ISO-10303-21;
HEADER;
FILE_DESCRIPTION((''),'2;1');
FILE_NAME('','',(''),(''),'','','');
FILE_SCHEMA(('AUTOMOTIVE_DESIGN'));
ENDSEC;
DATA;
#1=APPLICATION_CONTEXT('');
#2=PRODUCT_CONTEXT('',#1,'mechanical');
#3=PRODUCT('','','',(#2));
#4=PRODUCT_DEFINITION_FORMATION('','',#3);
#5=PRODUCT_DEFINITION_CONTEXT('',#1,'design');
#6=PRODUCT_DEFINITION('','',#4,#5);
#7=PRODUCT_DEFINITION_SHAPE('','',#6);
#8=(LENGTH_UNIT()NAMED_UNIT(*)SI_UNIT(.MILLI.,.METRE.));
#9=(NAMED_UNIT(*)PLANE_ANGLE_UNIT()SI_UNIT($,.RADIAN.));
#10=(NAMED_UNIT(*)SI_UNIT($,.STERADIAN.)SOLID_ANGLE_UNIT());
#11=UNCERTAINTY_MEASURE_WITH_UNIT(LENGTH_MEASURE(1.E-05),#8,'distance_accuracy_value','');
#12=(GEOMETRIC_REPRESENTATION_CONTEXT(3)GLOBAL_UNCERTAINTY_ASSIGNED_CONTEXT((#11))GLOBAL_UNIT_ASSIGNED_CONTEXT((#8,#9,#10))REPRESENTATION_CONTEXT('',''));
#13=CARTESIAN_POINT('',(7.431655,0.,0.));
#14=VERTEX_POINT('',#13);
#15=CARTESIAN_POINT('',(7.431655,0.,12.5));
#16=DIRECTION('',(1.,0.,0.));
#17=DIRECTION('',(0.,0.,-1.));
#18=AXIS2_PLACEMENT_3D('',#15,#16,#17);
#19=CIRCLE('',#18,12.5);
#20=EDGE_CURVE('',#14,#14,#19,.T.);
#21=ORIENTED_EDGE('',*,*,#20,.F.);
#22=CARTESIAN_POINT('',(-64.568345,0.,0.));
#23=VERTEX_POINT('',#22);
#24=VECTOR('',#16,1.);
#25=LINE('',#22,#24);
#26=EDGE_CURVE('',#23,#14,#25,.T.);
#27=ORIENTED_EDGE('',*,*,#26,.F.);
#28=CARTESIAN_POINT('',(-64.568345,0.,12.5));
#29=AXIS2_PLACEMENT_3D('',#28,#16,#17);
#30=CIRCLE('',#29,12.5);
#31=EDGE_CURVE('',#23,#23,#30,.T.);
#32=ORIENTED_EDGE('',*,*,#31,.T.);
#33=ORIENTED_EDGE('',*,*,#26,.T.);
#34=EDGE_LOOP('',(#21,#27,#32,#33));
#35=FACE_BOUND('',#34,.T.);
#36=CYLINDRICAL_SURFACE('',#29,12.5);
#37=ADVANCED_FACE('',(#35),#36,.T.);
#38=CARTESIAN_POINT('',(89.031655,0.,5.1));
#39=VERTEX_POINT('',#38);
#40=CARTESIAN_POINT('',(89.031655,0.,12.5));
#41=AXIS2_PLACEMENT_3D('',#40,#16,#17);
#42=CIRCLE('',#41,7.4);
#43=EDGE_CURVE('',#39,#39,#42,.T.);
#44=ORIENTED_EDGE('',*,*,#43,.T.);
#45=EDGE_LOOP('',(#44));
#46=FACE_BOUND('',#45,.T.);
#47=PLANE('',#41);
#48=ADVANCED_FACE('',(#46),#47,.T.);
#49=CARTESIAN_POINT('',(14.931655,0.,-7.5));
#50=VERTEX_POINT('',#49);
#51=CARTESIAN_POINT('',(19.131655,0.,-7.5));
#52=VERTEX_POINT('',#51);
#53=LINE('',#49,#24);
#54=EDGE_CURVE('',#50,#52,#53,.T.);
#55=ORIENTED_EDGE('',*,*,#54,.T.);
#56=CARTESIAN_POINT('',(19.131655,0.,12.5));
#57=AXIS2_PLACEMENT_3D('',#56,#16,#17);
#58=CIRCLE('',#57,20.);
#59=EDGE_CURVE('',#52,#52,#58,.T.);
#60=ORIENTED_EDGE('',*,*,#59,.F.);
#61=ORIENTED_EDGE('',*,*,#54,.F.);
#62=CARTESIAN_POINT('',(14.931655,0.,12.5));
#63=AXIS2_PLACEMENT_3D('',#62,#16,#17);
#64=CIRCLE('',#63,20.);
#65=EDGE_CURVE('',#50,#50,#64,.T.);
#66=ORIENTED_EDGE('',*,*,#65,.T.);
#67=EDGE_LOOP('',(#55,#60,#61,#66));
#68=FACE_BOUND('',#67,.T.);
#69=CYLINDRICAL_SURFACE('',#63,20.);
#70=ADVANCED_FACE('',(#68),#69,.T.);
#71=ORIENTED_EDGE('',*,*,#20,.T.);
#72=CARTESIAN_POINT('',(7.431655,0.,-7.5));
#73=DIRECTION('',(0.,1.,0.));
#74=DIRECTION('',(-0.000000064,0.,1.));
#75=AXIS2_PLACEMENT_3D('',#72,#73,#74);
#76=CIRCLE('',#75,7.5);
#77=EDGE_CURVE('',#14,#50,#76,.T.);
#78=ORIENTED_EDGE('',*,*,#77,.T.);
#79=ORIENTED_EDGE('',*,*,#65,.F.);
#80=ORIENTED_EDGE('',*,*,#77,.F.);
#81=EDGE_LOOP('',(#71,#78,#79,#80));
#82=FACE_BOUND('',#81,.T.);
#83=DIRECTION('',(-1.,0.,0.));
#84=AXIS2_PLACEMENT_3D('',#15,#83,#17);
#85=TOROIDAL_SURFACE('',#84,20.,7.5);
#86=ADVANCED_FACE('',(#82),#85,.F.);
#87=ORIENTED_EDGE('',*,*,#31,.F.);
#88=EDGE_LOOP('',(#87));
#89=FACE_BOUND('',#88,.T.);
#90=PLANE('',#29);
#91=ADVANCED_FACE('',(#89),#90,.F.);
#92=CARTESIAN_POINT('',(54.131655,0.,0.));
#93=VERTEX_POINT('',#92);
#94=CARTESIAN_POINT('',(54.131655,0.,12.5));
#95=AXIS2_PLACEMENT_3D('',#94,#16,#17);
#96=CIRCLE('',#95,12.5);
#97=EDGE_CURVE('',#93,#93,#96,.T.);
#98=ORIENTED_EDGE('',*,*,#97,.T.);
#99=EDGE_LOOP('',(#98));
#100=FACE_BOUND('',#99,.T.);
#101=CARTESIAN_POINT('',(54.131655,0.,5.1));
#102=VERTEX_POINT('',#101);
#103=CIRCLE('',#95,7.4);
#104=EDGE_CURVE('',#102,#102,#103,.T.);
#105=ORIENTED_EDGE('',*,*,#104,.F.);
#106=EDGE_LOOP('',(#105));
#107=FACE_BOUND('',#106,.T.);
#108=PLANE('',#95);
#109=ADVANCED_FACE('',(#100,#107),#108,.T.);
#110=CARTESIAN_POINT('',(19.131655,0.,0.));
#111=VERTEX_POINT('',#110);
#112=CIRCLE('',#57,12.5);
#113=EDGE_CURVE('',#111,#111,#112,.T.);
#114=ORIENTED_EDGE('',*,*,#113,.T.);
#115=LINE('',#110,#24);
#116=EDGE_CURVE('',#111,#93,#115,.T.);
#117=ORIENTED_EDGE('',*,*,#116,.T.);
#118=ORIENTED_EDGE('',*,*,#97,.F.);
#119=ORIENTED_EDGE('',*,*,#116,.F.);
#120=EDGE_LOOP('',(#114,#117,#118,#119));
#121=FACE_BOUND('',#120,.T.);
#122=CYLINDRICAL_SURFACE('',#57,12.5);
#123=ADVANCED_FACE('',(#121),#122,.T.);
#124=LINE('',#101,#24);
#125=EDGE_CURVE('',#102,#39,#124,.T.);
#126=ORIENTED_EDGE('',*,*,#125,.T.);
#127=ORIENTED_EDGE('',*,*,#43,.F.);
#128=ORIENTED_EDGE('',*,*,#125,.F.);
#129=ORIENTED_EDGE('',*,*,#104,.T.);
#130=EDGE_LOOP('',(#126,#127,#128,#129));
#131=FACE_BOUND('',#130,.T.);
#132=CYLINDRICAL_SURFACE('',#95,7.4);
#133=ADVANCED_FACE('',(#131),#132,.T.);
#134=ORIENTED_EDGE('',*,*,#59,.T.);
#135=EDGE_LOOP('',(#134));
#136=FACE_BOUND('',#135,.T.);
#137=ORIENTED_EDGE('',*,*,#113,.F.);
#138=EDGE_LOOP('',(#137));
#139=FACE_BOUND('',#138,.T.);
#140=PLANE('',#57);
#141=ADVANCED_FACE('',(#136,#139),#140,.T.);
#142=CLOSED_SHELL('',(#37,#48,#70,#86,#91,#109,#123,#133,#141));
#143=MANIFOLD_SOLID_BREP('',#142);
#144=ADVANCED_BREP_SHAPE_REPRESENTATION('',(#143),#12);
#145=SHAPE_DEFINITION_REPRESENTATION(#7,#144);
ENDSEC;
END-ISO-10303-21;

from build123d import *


with BuildPart() as f1:
    # F0 (on Front) → F1 (revolve)
    with BuildSketch(Plane.XZ):
        Polygon((-64.568345, 0), (7.431655, 0), (19.131655, 0), (19.131655, 12.5), (-64.568345, 12.5), align=None)
        with BuildLine():
            ThreePointArc((7.431655, 0), (12.734956, -2.196699), (14.931655, -7.5))
            Line((14.931655, -7.5), (19.131655, -7.5))
            Line((19.131655, -7.5), (19.131655, 0))
            Line((19.131655, 0), (7.431655, 0))
        make_face()
        Polygon((19.131655, 12.5), (19.131655, 0), (54.131655, 0), (54.131655, 5.1), (89.031655, 5.1), (89.031655, 12.5), align=None)
    revolve(axis=Axis((12.231655, 0, 12.5), (1, 0, 0)))


solid = f1.part
